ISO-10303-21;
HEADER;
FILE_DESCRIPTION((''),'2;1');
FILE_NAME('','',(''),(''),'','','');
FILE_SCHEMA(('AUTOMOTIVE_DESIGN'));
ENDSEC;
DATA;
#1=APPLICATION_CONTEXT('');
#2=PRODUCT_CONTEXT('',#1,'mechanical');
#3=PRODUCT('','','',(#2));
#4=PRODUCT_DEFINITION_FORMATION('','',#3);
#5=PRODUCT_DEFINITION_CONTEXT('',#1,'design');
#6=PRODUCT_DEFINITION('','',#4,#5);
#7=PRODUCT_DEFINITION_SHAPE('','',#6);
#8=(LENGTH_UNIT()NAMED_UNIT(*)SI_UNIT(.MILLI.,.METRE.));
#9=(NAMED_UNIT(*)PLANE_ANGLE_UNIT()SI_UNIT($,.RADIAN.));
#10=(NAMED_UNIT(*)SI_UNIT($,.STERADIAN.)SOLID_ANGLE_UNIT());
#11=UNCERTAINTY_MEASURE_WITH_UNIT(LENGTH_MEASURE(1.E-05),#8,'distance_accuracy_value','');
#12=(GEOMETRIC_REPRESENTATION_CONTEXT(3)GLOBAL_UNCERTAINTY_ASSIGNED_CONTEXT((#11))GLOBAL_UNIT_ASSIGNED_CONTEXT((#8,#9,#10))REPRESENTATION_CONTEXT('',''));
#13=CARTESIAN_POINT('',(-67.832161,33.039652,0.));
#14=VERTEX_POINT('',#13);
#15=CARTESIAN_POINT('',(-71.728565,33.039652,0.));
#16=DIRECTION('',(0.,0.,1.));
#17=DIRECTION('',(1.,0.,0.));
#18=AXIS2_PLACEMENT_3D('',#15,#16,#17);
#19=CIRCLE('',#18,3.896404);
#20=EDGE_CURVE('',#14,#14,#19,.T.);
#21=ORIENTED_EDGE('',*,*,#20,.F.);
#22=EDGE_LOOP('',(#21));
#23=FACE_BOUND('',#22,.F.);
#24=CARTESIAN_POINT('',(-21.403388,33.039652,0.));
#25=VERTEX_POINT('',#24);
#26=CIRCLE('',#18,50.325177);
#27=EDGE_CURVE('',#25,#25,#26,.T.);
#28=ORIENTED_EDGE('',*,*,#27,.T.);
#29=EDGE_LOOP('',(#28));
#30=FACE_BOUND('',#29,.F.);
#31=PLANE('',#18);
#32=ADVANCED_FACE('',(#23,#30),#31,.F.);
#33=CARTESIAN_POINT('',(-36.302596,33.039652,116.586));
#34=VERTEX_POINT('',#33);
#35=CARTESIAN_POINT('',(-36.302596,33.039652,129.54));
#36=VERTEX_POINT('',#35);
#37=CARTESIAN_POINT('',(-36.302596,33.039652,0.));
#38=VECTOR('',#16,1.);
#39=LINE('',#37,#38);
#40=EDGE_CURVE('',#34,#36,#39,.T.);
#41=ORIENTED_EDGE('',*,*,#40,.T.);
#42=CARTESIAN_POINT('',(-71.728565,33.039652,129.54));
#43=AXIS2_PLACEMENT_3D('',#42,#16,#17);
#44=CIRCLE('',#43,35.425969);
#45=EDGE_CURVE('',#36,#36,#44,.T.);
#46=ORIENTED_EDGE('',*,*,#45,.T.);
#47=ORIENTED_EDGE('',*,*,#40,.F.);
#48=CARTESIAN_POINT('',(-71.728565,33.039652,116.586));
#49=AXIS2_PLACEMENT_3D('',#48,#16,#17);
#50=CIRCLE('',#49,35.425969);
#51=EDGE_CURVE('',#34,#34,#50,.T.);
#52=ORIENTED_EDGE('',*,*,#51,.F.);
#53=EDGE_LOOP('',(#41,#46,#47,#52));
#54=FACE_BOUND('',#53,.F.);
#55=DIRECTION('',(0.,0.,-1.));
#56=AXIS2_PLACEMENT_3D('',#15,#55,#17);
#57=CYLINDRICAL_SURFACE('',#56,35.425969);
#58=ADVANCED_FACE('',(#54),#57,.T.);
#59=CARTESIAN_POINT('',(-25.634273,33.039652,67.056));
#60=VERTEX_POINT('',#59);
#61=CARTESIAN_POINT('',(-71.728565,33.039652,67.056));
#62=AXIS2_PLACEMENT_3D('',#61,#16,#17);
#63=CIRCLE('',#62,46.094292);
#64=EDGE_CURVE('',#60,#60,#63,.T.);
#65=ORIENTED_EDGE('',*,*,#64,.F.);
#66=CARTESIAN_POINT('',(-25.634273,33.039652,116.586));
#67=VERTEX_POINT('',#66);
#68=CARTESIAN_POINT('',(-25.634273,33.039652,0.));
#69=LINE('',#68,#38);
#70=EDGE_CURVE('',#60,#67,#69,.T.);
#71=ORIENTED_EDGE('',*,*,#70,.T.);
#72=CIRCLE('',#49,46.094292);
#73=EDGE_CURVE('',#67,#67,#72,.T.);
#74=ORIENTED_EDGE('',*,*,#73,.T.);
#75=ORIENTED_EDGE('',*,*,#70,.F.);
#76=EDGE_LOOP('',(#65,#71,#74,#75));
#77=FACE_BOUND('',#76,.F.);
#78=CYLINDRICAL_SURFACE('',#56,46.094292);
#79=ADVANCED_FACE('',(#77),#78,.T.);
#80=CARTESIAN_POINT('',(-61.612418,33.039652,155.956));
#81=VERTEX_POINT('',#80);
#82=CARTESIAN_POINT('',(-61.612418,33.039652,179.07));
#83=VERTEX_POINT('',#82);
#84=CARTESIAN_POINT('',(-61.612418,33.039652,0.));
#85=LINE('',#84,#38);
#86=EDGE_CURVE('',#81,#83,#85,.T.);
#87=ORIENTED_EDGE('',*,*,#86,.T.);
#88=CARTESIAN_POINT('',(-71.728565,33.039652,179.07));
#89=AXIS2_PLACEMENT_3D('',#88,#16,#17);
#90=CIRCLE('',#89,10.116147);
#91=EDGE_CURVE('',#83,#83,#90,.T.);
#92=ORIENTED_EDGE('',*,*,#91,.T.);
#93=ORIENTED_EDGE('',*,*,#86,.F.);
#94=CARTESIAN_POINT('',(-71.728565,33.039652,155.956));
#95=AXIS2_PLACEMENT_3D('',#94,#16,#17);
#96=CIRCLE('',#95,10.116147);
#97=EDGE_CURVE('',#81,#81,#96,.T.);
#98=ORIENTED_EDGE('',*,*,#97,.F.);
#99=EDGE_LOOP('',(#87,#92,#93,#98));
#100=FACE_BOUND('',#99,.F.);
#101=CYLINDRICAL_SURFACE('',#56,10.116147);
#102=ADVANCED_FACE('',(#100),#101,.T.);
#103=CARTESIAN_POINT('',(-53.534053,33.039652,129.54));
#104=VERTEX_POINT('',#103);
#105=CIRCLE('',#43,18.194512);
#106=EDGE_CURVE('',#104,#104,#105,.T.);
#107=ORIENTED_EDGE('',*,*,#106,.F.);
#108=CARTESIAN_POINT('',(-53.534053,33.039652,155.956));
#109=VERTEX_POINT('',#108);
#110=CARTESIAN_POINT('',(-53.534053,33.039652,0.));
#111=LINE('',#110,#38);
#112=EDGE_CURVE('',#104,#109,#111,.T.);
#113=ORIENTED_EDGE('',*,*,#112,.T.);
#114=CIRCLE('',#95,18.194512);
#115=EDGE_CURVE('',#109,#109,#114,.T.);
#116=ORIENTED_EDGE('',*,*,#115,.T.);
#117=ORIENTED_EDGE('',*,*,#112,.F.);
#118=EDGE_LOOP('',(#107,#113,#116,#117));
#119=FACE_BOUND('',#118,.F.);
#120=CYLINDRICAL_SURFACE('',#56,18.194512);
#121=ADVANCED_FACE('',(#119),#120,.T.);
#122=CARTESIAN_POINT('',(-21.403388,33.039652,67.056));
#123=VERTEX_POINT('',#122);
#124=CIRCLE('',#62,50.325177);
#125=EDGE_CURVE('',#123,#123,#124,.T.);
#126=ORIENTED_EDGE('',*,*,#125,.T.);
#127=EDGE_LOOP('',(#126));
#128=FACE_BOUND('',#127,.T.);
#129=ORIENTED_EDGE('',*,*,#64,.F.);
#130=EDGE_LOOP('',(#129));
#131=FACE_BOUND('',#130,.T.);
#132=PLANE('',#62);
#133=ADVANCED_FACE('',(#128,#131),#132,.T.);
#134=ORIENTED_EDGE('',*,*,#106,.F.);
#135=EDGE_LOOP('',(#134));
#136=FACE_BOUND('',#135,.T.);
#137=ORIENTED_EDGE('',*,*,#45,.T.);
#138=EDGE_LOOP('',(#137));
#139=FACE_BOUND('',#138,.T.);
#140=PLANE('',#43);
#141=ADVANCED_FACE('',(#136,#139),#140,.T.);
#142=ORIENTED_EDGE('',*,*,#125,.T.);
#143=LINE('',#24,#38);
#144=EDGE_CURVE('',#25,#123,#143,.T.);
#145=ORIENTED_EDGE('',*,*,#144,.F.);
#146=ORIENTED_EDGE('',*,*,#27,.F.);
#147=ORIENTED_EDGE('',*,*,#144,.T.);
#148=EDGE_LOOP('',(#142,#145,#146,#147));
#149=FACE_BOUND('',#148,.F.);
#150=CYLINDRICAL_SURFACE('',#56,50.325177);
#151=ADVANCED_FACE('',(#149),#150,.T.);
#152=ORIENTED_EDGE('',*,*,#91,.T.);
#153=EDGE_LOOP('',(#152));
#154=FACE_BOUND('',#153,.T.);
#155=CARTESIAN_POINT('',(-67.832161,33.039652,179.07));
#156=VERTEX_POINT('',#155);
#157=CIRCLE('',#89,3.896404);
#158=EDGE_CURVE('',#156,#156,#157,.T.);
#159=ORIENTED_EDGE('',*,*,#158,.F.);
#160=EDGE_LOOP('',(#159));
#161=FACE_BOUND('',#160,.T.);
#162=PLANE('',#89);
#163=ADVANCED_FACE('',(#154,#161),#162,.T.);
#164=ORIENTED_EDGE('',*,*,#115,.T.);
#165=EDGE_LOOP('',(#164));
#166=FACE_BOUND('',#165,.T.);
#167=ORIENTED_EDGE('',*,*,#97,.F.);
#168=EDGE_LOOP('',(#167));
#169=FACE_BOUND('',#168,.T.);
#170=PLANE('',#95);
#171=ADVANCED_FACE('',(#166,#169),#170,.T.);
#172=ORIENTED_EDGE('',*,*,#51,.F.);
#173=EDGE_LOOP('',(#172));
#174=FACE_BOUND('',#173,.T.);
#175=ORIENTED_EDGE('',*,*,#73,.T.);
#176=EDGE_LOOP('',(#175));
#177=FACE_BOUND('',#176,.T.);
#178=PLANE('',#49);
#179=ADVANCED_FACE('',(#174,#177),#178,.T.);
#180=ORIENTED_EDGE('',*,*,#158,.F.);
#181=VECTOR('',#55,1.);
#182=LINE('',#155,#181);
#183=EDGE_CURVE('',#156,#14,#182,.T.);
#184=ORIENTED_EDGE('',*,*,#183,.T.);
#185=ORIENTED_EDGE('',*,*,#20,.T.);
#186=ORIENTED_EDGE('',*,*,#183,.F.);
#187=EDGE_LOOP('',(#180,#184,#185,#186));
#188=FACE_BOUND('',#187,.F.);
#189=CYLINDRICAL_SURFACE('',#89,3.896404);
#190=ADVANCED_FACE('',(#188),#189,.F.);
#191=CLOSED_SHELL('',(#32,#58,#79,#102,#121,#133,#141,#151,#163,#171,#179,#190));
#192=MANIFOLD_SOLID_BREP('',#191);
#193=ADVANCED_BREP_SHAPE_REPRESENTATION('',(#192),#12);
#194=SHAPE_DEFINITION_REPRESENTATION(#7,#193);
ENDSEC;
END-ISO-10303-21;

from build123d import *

# Parameters (mm, degrees)
F0_R     = 10.116147
F1_DEPTH = 179.07
F0_R_2   = 18.194512
F2_DEPTH = 155.956
F0_R_3   = 35.425969
F3_DEPTH = 129.54
F0_R_4   = 46.094292
F4_DEPTH = 116.586
F0_R_5   = 50.325177
F5_DEPTH = 67.056
F6_R     = 3.896404
F7_DEPTH = 411.226


with BuildPart() as f1:
    # F0 (on Top) → F1 (new body)
    with BuildSketch(Plane.XY):
        with Locations((-71.728565, 33.039652)):
            Circle(F0_R)
    extrude(amount=F1_DEPTH)

    # F0 (on Top) → F2 (join)
    with BuildSketch(Plane.XY):
        with Locations((-71.728565, 33.039652)):
            Circle(F0_R_2)
        with Locations((-71.728565, 33.039652)):
            Circle(F0_R, mode=Mode.SUBTRACT)
    extrude(amount=F2_DEPTH)

    # F0 (on Top) → F3 (join)
    with BuildSketch(Plane.XY):
        with Locations((-71.728565, 33.039652)):
            Circle(F0_R_3)
        with Locations((-71.728565, 33.039652)):
            Circle(F0_R_2, mode=Mode.SUBTRACT)
    extrude(amount=F3_DEPTH)

    # F0 (on Top) → F4 (join)
    with BuildSketch(Plane.XY):
        with Locations((-71.728565, 33.039652)):
            Circle(F0_R_4)
        with Locations((-71.728565, 33.039652)):
            Circle(F0_R_3, mode=Mode.SUBTRACT)
    extrude(amount=F4_DEPTH)

    # F0 (on Top) → F5 (join)
    with BuildSketch(Plane.XY):
        with Locations((-71.728565, 33.039652)):
            Circle(F0_R_5)
        with Locations((-71.728565, 33.039652)):
            Circle(F0_R_4, mode=Mode.SUBTRACT)
    extrude(amount=F5_DEPTH)

    # F6 (on face) → F7 (cut)
    with BuildSketch(Plane.XY.offset(179.07)):
        with Locations((-71.728565, 33.039652)):
            Circle(F6_R)
    extrude(amount=-F7_DEPTH, mode=Mode.SUBTRACT)


solid = f1.part
